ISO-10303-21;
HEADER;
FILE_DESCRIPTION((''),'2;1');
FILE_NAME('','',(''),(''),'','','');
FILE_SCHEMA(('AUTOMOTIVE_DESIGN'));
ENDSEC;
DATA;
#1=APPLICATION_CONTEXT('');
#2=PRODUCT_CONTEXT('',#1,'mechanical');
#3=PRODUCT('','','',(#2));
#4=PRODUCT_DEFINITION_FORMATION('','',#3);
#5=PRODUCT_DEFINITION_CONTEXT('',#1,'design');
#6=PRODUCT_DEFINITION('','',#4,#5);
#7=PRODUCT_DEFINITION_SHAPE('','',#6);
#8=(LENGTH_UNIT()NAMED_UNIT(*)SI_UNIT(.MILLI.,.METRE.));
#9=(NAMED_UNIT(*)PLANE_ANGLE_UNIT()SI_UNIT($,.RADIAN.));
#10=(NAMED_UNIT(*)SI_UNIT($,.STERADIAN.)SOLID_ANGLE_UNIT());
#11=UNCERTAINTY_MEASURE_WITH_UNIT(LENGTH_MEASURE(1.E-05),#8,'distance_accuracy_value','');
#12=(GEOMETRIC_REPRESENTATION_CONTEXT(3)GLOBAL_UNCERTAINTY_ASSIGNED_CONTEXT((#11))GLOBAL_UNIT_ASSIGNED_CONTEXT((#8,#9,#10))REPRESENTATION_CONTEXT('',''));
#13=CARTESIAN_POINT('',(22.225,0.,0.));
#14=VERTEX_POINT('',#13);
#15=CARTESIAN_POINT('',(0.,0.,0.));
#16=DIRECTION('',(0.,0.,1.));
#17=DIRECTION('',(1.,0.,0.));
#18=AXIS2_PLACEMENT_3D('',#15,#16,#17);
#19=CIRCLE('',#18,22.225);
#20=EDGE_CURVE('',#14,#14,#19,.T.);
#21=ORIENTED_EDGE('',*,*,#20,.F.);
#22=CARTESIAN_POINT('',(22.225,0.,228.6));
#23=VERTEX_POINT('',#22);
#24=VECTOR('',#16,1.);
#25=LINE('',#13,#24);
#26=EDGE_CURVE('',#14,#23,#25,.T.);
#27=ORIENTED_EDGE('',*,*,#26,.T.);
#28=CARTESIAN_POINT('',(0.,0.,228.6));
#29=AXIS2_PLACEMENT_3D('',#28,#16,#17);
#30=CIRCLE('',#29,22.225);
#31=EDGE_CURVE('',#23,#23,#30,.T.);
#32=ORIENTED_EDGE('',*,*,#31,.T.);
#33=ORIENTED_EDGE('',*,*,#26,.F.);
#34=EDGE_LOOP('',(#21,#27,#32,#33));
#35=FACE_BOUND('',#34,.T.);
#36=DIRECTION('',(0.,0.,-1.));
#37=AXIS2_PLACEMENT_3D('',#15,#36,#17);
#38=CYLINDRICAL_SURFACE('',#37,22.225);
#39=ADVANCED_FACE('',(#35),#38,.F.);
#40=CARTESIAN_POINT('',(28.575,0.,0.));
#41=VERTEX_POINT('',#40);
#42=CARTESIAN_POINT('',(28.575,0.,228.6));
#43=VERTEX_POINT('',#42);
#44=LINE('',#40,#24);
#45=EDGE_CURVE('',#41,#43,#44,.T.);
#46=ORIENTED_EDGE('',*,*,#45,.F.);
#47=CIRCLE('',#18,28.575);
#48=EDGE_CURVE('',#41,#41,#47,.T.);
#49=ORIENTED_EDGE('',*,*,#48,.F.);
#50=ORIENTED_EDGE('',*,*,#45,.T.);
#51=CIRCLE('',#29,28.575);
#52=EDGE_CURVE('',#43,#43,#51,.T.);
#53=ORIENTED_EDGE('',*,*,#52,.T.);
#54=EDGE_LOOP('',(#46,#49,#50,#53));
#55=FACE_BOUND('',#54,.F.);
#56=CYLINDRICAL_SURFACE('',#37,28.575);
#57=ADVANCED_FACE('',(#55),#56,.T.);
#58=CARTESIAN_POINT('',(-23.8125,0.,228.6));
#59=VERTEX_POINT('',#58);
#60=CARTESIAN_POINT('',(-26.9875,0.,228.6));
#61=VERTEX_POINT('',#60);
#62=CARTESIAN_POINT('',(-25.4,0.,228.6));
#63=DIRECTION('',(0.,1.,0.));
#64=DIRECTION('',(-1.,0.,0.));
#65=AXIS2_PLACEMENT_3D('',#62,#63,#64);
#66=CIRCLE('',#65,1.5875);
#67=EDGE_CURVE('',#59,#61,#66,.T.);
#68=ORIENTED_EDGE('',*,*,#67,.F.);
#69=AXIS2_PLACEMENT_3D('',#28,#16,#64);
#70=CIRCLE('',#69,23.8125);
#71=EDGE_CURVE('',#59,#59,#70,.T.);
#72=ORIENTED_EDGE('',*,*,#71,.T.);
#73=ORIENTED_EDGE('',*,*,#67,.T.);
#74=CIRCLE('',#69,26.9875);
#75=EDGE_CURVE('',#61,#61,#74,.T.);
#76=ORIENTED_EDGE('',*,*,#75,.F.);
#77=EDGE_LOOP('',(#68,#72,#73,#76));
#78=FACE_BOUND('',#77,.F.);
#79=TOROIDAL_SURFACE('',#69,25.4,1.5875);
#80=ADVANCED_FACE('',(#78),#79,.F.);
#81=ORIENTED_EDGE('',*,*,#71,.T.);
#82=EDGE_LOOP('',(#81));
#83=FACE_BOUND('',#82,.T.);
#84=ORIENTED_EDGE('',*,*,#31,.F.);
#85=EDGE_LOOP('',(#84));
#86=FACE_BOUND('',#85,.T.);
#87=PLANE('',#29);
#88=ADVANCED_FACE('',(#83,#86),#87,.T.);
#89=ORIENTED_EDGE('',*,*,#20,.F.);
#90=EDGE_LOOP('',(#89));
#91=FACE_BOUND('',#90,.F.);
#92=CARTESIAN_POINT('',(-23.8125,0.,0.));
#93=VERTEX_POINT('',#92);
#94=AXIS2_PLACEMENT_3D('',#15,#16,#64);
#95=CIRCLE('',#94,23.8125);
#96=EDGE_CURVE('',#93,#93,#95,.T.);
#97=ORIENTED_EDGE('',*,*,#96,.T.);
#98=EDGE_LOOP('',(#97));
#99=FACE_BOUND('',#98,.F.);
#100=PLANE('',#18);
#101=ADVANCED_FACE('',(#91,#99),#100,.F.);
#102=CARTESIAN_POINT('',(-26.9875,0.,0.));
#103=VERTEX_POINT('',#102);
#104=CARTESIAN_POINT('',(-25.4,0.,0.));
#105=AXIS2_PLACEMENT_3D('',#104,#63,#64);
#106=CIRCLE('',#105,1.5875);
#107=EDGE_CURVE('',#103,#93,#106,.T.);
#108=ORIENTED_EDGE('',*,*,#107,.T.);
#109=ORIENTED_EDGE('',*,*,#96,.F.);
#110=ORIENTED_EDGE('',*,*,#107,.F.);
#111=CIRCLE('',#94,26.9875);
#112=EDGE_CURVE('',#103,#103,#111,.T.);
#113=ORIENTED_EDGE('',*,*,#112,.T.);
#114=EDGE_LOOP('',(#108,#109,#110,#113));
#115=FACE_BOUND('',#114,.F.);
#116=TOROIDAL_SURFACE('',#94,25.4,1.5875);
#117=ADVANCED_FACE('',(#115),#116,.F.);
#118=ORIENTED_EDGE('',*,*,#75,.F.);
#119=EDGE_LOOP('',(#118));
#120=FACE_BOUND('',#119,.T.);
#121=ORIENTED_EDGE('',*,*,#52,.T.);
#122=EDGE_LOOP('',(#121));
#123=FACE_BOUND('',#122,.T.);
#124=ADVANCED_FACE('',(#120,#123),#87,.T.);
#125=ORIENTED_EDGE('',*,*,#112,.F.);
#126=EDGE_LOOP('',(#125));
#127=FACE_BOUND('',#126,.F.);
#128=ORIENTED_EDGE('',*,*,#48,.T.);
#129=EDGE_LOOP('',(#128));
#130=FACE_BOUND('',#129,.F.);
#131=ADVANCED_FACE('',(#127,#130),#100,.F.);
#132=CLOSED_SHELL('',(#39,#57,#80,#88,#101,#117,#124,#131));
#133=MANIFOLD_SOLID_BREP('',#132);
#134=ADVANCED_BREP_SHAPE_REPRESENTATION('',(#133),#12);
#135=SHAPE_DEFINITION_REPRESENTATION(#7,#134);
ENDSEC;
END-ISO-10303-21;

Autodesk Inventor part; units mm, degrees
ref_plane "YZ Plane" through (0, 0, 0) normal (1, 0, 0) x (0, 1, 0)
ref_plane "XZ Plane" through (0, 0, 0) normal (0, 1, 0) x (-1, 0, 0)
sketch "Sketch1" plane through (0, 0, 0) normal (0, 0, 1) x (1, 0, 0)
  circle A0 centre (0, 0) radius 22.225
  circle A1 centre (0, 0) radius 28.575
  dimension "d0" = 44.45
  dimension "d1" = 57.15
extrude "Extrusion1" add sketch "Sketch1" along normal blind 228.6
sketch "Sketch2" plane through (0, 0, 228.6) normal (0, 0, 1) x (1, 0, 0)
  circle A0 centre (0, 0) radius 28.575 construction
  line L0 (0, 28.575) -> (0, -28.575) construction
ref_plane "Work Plane2" through (0, 0, 228.6) normal (0, 1, 0) x (-1, 0, 0)
ref_plane "Work Plane1" through (0, 28.575, 228.6) normal (0, 1, 0) x (-1, 0, 0)
sketch "Sketch3" plane through (0, 0, 228.6) normal (0, 1, 0) x (-1, 0, 0)
  line L0 (28.575, 0) -> (-28.575, 0) projected
  circle A0 centre (25.4, 0) radius 1.5875
  line L1 (0, 0) -> (0, 6.0913)
  line L2 (-28.575, -228.6) -> (28.575, -228.6) projected
  circle A1 centre (25.4, -228.6) radius 1.5875
  point P0 (0, -228.6)
  dimension "d5" = 3.175
  dimension "d6" = 25.4
  dimension "d7" = 3.175
revolve "Revolution1" cut sketch "Sketch3" angle 360 about axis through (0, 0, 228.6) along (0, 0, 1)
properties part number "tube" material "Polycarbonate, Smoke"
